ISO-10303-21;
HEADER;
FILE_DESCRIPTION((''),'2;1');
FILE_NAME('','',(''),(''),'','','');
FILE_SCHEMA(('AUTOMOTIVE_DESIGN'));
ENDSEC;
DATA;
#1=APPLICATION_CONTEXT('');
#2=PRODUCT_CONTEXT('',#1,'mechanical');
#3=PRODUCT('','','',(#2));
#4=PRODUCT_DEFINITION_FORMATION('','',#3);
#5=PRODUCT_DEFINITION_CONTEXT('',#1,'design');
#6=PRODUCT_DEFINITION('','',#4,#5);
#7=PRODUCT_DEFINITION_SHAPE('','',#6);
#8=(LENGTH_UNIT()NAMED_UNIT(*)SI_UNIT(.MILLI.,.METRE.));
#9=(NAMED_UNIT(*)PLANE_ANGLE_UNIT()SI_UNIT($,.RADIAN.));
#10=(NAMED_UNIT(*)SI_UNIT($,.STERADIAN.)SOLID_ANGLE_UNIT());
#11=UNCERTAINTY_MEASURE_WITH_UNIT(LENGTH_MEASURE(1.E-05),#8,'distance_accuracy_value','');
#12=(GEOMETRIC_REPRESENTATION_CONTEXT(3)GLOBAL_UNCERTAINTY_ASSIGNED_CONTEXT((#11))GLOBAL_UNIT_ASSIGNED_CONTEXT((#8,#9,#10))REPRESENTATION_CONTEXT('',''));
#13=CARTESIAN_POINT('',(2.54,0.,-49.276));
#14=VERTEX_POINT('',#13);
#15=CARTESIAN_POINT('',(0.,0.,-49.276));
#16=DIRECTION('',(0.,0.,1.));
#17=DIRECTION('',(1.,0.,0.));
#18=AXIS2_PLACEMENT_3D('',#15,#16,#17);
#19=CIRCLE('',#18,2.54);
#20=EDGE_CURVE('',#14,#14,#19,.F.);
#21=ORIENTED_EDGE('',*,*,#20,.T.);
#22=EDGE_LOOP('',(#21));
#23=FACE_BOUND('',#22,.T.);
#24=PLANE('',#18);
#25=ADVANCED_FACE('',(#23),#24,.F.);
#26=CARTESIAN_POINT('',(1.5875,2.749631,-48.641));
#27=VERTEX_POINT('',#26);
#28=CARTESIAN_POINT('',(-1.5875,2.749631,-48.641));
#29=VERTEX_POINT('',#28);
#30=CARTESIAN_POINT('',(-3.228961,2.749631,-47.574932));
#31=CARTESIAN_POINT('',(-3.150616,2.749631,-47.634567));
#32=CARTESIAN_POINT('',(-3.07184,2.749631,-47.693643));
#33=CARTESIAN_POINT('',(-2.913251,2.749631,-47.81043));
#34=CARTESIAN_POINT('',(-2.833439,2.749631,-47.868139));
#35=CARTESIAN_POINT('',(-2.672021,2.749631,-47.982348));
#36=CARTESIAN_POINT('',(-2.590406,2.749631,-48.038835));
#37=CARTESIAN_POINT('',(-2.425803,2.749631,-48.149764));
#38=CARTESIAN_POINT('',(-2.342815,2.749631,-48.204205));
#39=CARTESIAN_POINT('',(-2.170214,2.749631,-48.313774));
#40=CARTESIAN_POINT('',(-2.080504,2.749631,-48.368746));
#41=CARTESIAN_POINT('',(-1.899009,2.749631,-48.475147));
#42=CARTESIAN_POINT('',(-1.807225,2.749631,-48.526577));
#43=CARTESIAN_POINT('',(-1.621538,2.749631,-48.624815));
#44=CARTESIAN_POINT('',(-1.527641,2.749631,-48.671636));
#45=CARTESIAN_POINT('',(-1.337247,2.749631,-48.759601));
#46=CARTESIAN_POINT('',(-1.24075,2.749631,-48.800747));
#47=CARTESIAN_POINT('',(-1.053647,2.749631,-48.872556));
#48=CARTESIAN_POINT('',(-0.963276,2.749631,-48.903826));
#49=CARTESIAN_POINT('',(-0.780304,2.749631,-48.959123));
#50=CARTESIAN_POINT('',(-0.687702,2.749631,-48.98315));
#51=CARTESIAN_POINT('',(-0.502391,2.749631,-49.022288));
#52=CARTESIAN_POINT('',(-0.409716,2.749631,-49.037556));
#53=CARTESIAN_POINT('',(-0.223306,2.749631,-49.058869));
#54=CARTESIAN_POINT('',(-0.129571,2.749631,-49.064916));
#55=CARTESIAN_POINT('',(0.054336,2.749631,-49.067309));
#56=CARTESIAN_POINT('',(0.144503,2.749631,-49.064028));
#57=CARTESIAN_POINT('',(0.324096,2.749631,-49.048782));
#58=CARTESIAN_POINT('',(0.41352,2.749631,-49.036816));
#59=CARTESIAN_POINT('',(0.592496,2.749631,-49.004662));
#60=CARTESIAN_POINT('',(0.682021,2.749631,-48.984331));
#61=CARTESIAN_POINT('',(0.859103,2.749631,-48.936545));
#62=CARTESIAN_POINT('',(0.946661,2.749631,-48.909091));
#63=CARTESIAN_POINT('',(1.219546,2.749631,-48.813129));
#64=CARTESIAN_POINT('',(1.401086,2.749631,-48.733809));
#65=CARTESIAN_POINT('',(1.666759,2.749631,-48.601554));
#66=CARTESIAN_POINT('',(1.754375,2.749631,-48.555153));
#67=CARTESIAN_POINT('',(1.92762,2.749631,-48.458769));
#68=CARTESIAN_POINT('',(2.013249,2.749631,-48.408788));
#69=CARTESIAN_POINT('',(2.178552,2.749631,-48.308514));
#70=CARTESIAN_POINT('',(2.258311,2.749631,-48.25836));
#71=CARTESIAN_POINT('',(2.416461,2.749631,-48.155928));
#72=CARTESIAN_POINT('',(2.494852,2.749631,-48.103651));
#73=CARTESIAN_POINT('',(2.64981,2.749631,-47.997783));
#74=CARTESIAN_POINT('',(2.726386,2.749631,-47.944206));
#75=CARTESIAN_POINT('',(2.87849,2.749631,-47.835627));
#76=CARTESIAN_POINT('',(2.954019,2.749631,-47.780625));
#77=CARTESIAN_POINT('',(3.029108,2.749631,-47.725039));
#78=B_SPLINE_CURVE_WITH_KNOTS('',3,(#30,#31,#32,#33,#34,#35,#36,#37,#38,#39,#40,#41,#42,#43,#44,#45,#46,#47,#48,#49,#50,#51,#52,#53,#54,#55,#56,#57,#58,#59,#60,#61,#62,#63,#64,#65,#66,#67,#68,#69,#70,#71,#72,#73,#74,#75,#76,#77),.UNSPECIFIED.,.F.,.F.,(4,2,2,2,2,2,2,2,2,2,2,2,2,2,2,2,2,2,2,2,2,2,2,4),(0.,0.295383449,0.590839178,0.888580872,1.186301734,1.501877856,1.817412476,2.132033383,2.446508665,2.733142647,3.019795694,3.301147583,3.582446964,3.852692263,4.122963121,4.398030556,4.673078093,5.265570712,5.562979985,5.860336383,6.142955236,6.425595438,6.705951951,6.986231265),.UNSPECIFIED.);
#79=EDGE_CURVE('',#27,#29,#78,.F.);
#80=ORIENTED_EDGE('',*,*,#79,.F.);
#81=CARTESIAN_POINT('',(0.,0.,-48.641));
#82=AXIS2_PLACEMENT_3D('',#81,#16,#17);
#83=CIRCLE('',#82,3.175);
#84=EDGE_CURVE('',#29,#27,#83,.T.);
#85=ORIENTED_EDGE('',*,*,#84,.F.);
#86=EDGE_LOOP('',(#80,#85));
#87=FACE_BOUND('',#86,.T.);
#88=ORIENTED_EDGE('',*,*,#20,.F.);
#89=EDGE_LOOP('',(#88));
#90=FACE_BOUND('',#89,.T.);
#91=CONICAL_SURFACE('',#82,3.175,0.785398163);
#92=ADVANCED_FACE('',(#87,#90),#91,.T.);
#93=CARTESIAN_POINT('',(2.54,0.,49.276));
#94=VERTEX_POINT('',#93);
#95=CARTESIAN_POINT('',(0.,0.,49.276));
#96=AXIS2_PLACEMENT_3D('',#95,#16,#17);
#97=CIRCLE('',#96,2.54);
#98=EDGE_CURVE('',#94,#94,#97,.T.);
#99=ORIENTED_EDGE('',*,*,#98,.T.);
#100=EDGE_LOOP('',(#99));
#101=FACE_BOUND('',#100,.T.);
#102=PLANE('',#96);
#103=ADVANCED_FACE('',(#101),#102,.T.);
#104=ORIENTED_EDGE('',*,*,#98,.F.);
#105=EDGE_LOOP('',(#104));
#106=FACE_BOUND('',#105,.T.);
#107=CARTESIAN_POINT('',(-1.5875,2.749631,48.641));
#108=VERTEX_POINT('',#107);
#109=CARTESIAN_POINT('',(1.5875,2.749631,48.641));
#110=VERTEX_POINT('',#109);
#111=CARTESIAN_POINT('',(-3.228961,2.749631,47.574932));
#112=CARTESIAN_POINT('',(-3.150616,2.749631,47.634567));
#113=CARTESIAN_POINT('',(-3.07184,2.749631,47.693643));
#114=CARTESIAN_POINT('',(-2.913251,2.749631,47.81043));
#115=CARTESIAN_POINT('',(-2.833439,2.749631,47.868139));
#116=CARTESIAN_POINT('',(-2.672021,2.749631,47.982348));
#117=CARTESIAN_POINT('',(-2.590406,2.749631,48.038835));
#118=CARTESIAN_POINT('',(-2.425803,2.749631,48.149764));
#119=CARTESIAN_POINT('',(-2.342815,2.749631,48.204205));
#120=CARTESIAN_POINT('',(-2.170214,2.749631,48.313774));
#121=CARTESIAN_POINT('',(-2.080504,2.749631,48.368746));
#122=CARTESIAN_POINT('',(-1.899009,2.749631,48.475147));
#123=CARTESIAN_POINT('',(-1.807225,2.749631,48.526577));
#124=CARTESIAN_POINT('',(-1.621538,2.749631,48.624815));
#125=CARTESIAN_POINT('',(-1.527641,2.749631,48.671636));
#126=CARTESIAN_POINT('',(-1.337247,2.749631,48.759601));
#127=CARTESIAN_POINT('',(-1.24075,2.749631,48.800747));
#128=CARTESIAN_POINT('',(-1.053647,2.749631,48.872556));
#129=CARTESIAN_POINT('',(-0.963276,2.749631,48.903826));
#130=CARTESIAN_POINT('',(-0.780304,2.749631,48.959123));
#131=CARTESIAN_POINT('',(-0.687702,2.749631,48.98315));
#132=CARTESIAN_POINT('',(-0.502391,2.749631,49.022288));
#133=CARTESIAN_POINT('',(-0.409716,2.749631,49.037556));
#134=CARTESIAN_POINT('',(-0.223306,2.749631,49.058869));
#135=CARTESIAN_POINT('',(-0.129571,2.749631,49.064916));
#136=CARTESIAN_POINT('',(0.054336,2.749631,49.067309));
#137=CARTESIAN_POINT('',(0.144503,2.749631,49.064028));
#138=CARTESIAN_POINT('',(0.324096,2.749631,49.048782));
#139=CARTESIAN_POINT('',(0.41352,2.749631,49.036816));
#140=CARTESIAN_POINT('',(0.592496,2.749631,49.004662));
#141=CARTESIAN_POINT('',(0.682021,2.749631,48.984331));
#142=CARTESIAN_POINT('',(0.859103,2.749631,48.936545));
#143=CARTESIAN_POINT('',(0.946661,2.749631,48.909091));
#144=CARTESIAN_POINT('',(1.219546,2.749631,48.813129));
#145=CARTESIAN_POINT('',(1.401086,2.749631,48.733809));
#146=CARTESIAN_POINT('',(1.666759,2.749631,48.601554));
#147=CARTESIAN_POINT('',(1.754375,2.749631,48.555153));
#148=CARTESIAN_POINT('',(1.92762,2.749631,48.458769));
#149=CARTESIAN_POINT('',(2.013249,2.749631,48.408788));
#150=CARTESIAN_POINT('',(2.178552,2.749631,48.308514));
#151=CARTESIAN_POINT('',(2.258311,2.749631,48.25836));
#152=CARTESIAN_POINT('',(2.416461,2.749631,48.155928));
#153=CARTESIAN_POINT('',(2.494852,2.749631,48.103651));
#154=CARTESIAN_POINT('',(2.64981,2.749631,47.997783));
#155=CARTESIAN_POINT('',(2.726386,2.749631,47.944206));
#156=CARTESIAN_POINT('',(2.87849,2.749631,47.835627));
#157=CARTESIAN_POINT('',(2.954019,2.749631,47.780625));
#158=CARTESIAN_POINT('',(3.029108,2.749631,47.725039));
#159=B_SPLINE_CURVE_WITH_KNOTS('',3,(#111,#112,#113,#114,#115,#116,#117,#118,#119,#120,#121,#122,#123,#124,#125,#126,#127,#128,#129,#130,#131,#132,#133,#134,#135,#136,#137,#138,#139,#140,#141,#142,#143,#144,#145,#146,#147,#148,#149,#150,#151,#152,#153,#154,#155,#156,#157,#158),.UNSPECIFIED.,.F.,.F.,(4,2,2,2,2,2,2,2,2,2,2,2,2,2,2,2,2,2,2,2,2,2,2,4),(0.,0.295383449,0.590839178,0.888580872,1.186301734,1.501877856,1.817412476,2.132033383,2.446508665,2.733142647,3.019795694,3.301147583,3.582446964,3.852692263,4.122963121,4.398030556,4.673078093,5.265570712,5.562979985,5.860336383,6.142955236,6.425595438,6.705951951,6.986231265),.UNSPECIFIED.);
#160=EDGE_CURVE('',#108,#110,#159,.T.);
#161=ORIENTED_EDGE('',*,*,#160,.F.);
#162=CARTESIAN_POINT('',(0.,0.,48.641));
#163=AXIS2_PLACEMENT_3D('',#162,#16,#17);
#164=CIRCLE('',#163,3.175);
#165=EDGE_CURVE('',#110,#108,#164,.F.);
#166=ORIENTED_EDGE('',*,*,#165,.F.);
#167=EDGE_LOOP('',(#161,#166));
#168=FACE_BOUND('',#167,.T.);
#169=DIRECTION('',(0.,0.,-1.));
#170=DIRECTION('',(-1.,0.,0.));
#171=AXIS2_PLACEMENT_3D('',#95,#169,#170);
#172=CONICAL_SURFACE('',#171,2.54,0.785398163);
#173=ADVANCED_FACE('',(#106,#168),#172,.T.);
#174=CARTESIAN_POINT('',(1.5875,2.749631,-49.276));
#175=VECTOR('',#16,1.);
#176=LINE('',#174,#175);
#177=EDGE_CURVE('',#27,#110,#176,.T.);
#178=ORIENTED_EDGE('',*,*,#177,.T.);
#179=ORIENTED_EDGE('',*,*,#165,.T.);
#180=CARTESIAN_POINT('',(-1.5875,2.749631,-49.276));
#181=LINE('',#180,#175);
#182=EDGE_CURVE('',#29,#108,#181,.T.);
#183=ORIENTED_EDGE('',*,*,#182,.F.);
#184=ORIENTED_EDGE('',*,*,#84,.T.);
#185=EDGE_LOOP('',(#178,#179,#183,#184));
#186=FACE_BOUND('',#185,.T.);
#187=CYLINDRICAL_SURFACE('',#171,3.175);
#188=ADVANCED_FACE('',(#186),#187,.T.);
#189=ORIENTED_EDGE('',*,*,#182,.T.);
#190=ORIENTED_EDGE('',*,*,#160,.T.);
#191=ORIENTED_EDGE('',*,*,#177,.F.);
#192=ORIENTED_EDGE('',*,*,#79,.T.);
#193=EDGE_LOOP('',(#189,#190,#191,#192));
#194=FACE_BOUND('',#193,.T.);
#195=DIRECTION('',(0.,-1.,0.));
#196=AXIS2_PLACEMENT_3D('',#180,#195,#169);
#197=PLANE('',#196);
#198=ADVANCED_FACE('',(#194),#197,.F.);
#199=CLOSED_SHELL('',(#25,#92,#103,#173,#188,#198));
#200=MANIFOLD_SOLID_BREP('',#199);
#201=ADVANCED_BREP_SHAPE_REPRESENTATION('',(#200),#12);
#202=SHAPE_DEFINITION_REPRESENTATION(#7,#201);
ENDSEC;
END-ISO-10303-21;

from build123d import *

# Parameters (mm, degrees)
SKETCH1_R           = 3.175
EXTRUDE1_DEPTH      = 49.276
CHAMFER1_SIZE       = 0.635
EXTRUDE7_DEPTH      = 50.480151839
EXTRUDE7_DEPTH_BACK = 50.480151839


with BuildPart() as part:
    # Sketch1 → Extrude1 (new, symmetric)
    with BuildSketch(Plane.XY):
        with Locations(Location((0, 0, 0), (0, 0, 180))):
            Circle(SKETCH1_R)
    extrude(amount=EXTRUDE1_DEPTH, both=True)

    # Chamfer1
    chamfer1_edges = [part.edges().sort_by_distance(p)[0] for p in [
        (3.175, 0, -49.276),
        (3.175, 0, 49.276),
    ]]
    chamfer(chamfer1_edges, length=CHAMFER1_SIZE)

    # Sketch13 → Extrude7 (cut, two sides: drawn at the far end of the back side and taken through both)
    with BuildSketch(Plane.XY.offset(-EXTRUDE7_DEPTH_BACK)):
        with BuildLine():
            Line((-1.5875, 2.749630657), (1.5875, 2.749630657))
            ThreePointArc((1.5875, 2.749630657), (0, 3.175), (-1.5875, 2.749630657))
        make_face()
    extrude(amount=EXTRUDE7_DEPTH + EXTRUDE7_DEPTH_BACK, mode=Mode.SUBTRACT)


solid = part.part
